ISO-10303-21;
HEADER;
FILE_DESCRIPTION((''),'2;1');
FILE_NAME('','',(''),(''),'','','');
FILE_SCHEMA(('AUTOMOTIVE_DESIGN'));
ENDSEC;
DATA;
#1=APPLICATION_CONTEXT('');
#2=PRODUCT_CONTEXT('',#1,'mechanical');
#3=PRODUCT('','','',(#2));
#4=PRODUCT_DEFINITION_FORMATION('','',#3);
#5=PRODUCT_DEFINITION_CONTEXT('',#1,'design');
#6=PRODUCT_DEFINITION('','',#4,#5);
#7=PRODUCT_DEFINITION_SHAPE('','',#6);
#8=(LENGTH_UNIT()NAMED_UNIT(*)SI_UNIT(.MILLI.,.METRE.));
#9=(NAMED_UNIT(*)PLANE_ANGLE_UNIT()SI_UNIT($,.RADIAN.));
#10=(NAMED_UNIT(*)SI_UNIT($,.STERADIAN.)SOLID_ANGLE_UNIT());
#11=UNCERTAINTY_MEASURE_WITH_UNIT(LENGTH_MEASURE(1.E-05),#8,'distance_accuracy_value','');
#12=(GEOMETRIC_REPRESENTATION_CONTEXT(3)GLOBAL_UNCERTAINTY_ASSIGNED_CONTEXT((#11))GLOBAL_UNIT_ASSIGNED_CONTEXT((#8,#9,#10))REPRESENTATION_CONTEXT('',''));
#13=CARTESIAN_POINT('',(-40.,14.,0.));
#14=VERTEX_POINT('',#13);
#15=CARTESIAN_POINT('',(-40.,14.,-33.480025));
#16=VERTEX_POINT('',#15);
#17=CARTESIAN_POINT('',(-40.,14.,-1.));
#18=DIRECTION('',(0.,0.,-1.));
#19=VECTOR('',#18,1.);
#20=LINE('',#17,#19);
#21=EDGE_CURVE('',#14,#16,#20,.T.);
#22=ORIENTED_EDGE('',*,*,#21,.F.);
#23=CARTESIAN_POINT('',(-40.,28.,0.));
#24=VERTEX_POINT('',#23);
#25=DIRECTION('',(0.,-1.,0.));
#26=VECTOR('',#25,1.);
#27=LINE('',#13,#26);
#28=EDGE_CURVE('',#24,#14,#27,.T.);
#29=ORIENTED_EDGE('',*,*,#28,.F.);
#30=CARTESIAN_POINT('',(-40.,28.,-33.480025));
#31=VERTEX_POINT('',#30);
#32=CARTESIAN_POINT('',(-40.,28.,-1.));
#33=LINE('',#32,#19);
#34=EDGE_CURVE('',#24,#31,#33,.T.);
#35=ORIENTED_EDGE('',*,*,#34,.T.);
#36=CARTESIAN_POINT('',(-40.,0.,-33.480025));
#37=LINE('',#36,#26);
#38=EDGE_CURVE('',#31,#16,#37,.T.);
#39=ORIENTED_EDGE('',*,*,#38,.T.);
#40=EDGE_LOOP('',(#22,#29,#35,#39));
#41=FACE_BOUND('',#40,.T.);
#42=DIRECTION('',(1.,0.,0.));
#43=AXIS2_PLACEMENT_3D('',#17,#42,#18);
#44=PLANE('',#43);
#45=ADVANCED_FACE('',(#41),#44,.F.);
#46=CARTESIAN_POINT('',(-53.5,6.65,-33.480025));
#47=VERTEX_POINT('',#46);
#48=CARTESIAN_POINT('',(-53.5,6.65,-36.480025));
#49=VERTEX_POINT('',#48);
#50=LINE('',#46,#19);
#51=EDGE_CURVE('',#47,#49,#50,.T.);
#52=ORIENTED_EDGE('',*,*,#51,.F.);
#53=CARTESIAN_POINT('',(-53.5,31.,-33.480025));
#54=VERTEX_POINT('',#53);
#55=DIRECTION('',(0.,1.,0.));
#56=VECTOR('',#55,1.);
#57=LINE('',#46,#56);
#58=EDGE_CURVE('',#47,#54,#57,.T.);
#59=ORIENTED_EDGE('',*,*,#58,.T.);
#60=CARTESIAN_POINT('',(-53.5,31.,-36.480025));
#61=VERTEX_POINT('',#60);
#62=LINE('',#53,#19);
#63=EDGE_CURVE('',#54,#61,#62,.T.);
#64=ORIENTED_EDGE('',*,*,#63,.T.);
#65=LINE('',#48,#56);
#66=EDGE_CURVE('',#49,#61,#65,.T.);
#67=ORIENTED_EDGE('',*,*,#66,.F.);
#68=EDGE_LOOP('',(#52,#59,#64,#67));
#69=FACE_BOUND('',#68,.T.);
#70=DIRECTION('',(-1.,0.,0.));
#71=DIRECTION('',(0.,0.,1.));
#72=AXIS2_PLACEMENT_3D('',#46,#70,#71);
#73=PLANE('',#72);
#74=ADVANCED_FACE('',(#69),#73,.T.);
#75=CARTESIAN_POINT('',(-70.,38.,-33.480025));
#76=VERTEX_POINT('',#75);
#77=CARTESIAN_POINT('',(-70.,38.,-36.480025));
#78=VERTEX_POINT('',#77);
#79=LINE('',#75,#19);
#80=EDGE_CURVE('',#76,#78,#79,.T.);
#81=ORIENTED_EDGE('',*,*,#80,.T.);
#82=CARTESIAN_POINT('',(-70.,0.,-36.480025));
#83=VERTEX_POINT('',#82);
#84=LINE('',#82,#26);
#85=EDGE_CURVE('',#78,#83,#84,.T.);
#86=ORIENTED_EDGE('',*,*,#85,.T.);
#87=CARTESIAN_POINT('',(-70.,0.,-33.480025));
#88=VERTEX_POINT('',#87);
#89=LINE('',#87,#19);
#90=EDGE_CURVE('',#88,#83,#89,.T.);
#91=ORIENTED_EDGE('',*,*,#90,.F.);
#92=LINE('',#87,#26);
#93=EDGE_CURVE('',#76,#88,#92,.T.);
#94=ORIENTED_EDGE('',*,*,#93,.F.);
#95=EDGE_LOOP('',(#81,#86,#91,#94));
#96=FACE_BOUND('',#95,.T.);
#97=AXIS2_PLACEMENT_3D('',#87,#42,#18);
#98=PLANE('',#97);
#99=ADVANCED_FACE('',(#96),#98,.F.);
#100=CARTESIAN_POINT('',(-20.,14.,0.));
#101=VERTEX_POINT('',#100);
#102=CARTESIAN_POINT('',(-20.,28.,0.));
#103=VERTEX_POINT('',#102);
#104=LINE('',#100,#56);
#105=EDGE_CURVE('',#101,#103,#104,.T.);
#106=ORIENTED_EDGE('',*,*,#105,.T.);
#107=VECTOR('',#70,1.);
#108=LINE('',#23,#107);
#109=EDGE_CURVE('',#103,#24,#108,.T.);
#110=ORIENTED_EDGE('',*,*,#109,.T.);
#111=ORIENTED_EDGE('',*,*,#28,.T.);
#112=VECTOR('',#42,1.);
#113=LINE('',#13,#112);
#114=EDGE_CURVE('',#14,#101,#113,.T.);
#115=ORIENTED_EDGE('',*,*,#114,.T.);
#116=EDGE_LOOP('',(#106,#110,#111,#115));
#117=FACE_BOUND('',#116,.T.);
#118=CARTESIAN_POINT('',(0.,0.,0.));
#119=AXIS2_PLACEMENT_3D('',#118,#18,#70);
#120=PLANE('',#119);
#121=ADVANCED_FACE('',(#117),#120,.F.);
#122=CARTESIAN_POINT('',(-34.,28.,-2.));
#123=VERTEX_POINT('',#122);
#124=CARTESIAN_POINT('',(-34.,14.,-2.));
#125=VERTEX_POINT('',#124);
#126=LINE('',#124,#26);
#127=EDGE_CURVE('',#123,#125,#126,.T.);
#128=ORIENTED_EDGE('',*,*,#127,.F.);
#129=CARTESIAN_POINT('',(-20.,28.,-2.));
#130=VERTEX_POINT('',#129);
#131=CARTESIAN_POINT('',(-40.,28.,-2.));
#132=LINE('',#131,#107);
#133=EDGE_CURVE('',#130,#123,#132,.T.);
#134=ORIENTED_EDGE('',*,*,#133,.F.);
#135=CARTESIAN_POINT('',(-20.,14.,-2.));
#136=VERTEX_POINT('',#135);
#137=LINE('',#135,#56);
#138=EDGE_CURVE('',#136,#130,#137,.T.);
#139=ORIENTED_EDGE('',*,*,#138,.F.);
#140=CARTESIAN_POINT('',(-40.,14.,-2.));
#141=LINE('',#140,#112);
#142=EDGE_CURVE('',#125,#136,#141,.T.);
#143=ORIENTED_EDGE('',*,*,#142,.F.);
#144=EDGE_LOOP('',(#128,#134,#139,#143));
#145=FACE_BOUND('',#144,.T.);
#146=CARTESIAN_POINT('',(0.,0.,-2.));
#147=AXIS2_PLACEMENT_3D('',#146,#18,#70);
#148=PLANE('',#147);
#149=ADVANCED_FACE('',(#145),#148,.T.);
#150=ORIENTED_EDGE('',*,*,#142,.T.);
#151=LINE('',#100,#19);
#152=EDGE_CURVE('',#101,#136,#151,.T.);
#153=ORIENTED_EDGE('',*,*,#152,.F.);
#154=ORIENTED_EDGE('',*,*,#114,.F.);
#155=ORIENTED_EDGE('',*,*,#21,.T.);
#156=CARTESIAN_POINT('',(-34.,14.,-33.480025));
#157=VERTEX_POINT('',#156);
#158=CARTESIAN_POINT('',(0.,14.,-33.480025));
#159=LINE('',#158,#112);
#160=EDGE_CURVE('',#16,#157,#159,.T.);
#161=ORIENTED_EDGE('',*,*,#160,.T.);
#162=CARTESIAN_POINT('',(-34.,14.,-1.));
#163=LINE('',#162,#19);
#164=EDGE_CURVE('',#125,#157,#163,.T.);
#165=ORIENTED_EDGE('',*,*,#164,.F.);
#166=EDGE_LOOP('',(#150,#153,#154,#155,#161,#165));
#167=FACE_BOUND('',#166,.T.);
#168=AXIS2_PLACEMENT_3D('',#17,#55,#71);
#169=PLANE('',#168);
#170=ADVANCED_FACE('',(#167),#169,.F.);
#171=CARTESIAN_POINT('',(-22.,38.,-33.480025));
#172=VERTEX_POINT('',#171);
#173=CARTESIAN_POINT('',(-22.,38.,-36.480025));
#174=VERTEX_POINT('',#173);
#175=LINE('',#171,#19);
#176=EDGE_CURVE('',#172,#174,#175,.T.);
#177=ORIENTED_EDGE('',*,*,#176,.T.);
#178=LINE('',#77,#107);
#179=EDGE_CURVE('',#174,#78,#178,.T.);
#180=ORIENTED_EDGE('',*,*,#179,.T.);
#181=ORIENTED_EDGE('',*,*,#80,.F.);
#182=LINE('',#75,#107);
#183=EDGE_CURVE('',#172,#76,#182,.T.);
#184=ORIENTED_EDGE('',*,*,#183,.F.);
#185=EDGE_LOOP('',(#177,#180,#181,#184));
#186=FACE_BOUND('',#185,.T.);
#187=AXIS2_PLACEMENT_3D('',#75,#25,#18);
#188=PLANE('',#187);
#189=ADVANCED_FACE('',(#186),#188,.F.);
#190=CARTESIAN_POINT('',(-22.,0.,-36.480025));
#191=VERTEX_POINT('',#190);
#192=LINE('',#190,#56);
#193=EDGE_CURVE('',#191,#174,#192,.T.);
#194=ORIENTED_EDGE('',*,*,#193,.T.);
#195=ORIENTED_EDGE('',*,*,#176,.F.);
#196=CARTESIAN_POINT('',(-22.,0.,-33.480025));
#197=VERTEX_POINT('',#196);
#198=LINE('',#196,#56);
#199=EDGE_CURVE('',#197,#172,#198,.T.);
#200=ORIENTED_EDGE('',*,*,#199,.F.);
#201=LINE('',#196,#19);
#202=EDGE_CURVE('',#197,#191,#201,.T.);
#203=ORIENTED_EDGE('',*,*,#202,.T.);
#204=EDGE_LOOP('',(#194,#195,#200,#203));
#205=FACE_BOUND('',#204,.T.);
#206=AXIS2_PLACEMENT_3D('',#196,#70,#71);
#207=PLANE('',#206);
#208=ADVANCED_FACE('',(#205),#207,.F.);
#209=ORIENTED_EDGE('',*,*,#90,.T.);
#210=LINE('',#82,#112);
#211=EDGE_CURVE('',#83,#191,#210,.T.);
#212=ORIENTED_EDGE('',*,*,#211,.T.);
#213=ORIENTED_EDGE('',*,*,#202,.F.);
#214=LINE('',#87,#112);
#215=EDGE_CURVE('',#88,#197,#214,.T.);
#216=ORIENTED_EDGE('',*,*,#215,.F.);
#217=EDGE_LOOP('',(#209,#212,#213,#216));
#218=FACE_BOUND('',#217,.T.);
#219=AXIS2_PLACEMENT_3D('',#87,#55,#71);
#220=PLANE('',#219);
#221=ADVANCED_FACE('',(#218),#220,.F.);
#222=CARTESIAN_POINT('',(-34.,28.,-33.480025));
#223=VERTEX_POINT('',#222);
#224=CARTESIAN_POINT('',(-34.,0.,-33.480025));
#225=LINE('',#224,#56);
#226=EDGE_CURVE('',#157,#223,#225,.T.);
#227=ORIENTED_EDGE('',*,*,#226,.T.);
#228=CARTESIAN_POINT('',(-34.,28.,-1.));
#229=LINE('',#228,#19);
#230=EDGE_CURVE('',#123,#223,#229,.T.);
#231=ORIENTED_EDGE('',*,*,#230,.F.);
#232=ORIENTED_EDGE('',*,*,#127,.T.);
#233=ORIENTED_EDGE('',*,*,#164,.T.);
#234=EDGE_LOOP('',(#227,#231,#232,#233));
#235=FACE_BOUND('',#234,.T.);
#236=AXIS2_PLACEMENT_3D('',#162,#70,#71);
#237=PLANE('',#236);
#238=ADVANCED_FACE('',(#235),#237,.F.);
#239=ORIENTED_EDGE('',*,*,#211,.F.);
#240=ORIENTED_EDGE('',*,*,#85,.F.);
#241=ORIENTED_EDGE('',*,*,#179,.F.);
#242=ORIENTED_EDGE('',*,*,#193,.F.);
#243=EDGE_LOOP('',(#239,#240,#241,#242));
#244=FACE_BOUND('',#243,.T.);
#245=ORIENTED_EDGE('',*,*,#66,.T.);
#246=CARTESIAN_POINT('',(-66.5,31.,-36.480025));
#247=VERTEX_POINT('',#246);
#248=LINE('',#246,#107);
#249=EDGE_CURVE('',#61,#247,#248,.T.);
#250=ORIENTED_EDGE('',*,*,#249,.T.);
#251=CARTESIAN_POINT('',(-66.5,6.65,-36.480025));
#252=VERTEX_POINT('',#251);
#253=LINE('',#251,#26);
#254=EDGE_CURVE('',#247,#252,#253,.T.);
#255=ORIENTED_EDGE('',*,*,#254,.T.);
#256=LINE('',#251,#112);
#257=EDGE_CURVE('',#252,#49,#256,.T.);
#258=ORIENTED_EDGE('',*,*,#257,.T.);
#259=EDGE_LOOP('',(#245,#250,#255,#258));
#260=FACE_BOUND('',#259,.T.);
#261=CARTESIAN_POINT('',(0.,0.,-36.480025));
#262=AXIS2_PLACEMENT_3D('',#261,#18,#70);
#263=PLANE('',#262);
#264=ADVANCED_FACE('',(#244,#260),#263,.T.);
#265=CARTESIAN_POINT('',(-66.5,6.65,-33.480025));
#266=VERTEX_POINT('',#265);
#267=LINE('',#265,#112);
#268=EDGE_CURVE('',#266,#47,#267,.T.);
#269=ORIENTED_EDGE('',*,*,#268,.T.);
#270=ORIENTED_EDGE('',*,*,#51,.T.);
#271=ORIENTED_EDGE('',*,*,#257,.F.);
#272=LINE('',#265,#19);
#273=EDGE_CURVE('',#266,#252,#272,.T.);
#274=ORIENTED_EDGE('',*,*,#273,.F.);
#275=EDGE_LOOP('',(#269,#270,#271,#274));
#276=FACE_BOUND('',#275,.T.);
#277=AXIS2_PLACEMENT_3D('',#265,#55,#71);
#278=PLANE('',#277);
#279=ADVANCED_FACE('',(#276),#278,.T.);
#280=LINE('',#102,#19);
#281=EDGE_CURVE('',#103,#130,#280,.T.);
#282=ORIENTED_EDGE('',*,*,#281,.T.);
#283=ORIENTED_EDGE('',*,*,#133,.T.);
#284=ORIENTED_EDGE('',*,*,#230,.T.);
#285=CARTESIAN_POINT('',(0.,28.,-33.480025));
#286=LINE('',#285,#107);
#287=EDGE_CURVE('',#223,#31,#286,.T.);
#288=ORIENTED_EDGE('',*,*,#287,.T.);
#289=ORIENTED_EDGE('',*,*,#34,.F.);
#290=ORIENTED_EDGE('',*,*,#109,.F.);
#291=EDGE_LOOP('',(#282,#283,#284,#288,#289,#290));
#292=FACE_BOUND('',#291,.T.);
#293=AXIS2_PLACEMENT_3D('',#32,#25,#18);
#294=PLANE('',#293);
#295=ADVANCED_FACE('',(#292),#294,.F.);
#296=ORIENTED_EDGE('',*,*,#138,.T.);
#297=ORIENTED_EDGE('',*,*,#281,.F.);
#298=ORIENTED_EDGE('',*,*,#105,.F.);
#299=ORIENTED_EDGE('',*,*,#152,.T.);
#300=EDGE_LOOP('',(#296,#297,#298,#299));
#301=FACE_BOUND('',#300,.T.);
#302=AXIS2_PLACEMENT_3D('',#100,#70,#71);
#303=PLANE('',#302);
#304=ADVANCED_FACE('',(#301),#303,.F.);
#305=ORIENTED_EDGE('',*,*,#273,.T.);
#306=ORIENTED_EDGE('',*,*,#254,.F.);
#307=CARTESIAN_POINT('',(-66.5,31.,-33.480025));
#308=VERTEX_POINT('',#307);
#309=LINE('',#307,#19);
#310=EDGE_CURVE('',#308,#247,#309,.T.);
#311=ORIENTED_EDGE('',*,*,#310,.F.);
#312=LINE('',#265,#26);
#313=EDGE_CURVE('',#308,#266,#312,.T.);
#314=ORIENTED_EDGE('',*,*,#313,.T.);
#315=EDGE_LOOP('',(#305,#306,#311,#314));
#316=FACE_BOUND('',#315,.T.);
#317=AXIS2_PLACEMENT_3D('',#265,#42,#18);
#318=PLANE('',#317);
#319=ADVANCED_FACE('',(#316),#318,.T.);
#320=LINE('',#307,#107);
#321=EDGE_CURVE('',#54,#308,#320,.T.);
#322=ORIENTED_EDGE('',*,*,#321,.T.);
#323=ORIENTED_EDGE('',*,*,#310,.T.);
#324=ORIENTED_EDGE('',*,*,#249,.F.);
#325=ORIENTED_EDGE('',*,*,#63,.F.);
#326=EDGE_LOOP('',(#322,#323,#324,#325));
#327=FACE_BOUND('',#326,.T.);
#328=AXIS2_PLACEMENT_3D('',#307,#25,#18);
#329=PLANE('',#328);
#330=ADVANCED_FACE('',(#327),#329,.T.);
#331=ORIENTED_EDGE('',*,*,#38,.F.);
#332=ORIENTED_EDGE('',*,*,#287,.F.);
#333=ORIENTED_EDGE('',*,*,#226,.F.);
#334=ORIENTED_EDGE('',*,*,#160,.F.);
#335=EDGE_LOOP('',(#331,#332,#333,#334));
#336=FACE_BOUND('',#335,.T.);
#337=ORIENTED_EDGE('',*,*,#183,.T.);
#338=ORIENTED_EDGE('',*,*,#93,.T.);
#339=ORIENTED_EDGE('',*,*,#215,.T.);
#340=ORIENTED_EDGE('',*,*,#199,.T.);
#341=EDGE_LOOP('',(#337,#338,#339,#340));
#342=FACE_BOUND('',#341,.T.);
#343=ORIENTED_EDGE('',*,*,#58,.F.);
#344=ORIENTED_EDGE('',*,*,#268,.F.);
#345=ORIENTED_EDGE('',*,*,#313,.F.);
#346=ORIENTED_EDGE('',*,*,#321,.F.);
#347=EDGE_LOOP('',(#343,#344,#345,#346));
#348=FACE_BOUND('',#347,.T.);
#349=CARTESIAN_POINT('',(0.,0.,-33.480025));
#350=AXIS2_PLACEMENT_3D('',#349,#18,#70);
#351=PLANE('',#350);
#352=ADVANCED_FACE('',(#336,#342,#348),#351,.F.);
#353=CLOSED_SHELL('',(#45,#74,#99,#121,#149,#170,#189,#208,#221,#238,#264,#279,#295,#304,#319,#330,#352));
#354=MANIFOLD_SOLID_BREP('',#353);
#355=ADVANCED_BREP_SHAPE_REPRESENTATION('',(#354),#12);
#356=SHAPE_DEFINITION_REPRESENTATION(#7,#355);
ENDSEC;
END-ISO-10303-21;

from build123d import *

# Parameters (mm, degrees)
SERVO_SHELF_START           = -36.480025
SKETCH1_W                   = 48
SKETCH1_H                   = 38
SKETCH1_W_2                 = 13
SKETCH1_H_2                 = 24.35
SERVO_SHELF_DEPTH           = 3
OUTBOARD_RISER_START        = -34.480025
SKETCH2_W                   = 6
SKETCH2_H                   = 14
OUTBOARD_RISER_DEPTH        = 33.480025
PLATE_ATTACHMENT_FOOT_START = -2
SKETCH3_W                   = 20
SKETCH3_H                   = 14
PLATE_ATTACHMENT_FOOT_DEPTH = 2


with BuildPart() as part:
    # Sketch1 → Servo_Shelf (new body)
    with BuildSketch(Plane.XY.offset(SERVO_SHELF_START)):
        with Locations((-46, 19)):
            Rectangle(SKETCH1_W, SKETCH1_H)
        with Locations((-60, 18.825)):
            Rectangle(SKETCH1_W_2, SKETCH1_H_2, mode=Mode.SUBTRACT)
    extrude(amount=SERVO_SHELF_DEPTH)

    # Sketch2 → Outboard_Riser (add)
    with BuildSketch(Plane.XY.offset(OUTBOARD_RISER_START)):
        with Locations((-37, 21)):
            Rectangle(SKETCH2_W, SKETCH2_H)
    extrude(amount=OUTBOARD_RISER_DEPTH)

    # Sketch3 → Plate_Attachment_Foot (add)
    with BuildSketch(Plane.XY.offset(PLATE_ATTACHMENT_FOOT_START)):
        with Locations((-30, 21)):
            Rectangle(SKETCH3_W, SKETCH3_H)
    extrude(amount=PLATE_ATTACHMENT_FOOT_DEPTH)


solid = part.part
